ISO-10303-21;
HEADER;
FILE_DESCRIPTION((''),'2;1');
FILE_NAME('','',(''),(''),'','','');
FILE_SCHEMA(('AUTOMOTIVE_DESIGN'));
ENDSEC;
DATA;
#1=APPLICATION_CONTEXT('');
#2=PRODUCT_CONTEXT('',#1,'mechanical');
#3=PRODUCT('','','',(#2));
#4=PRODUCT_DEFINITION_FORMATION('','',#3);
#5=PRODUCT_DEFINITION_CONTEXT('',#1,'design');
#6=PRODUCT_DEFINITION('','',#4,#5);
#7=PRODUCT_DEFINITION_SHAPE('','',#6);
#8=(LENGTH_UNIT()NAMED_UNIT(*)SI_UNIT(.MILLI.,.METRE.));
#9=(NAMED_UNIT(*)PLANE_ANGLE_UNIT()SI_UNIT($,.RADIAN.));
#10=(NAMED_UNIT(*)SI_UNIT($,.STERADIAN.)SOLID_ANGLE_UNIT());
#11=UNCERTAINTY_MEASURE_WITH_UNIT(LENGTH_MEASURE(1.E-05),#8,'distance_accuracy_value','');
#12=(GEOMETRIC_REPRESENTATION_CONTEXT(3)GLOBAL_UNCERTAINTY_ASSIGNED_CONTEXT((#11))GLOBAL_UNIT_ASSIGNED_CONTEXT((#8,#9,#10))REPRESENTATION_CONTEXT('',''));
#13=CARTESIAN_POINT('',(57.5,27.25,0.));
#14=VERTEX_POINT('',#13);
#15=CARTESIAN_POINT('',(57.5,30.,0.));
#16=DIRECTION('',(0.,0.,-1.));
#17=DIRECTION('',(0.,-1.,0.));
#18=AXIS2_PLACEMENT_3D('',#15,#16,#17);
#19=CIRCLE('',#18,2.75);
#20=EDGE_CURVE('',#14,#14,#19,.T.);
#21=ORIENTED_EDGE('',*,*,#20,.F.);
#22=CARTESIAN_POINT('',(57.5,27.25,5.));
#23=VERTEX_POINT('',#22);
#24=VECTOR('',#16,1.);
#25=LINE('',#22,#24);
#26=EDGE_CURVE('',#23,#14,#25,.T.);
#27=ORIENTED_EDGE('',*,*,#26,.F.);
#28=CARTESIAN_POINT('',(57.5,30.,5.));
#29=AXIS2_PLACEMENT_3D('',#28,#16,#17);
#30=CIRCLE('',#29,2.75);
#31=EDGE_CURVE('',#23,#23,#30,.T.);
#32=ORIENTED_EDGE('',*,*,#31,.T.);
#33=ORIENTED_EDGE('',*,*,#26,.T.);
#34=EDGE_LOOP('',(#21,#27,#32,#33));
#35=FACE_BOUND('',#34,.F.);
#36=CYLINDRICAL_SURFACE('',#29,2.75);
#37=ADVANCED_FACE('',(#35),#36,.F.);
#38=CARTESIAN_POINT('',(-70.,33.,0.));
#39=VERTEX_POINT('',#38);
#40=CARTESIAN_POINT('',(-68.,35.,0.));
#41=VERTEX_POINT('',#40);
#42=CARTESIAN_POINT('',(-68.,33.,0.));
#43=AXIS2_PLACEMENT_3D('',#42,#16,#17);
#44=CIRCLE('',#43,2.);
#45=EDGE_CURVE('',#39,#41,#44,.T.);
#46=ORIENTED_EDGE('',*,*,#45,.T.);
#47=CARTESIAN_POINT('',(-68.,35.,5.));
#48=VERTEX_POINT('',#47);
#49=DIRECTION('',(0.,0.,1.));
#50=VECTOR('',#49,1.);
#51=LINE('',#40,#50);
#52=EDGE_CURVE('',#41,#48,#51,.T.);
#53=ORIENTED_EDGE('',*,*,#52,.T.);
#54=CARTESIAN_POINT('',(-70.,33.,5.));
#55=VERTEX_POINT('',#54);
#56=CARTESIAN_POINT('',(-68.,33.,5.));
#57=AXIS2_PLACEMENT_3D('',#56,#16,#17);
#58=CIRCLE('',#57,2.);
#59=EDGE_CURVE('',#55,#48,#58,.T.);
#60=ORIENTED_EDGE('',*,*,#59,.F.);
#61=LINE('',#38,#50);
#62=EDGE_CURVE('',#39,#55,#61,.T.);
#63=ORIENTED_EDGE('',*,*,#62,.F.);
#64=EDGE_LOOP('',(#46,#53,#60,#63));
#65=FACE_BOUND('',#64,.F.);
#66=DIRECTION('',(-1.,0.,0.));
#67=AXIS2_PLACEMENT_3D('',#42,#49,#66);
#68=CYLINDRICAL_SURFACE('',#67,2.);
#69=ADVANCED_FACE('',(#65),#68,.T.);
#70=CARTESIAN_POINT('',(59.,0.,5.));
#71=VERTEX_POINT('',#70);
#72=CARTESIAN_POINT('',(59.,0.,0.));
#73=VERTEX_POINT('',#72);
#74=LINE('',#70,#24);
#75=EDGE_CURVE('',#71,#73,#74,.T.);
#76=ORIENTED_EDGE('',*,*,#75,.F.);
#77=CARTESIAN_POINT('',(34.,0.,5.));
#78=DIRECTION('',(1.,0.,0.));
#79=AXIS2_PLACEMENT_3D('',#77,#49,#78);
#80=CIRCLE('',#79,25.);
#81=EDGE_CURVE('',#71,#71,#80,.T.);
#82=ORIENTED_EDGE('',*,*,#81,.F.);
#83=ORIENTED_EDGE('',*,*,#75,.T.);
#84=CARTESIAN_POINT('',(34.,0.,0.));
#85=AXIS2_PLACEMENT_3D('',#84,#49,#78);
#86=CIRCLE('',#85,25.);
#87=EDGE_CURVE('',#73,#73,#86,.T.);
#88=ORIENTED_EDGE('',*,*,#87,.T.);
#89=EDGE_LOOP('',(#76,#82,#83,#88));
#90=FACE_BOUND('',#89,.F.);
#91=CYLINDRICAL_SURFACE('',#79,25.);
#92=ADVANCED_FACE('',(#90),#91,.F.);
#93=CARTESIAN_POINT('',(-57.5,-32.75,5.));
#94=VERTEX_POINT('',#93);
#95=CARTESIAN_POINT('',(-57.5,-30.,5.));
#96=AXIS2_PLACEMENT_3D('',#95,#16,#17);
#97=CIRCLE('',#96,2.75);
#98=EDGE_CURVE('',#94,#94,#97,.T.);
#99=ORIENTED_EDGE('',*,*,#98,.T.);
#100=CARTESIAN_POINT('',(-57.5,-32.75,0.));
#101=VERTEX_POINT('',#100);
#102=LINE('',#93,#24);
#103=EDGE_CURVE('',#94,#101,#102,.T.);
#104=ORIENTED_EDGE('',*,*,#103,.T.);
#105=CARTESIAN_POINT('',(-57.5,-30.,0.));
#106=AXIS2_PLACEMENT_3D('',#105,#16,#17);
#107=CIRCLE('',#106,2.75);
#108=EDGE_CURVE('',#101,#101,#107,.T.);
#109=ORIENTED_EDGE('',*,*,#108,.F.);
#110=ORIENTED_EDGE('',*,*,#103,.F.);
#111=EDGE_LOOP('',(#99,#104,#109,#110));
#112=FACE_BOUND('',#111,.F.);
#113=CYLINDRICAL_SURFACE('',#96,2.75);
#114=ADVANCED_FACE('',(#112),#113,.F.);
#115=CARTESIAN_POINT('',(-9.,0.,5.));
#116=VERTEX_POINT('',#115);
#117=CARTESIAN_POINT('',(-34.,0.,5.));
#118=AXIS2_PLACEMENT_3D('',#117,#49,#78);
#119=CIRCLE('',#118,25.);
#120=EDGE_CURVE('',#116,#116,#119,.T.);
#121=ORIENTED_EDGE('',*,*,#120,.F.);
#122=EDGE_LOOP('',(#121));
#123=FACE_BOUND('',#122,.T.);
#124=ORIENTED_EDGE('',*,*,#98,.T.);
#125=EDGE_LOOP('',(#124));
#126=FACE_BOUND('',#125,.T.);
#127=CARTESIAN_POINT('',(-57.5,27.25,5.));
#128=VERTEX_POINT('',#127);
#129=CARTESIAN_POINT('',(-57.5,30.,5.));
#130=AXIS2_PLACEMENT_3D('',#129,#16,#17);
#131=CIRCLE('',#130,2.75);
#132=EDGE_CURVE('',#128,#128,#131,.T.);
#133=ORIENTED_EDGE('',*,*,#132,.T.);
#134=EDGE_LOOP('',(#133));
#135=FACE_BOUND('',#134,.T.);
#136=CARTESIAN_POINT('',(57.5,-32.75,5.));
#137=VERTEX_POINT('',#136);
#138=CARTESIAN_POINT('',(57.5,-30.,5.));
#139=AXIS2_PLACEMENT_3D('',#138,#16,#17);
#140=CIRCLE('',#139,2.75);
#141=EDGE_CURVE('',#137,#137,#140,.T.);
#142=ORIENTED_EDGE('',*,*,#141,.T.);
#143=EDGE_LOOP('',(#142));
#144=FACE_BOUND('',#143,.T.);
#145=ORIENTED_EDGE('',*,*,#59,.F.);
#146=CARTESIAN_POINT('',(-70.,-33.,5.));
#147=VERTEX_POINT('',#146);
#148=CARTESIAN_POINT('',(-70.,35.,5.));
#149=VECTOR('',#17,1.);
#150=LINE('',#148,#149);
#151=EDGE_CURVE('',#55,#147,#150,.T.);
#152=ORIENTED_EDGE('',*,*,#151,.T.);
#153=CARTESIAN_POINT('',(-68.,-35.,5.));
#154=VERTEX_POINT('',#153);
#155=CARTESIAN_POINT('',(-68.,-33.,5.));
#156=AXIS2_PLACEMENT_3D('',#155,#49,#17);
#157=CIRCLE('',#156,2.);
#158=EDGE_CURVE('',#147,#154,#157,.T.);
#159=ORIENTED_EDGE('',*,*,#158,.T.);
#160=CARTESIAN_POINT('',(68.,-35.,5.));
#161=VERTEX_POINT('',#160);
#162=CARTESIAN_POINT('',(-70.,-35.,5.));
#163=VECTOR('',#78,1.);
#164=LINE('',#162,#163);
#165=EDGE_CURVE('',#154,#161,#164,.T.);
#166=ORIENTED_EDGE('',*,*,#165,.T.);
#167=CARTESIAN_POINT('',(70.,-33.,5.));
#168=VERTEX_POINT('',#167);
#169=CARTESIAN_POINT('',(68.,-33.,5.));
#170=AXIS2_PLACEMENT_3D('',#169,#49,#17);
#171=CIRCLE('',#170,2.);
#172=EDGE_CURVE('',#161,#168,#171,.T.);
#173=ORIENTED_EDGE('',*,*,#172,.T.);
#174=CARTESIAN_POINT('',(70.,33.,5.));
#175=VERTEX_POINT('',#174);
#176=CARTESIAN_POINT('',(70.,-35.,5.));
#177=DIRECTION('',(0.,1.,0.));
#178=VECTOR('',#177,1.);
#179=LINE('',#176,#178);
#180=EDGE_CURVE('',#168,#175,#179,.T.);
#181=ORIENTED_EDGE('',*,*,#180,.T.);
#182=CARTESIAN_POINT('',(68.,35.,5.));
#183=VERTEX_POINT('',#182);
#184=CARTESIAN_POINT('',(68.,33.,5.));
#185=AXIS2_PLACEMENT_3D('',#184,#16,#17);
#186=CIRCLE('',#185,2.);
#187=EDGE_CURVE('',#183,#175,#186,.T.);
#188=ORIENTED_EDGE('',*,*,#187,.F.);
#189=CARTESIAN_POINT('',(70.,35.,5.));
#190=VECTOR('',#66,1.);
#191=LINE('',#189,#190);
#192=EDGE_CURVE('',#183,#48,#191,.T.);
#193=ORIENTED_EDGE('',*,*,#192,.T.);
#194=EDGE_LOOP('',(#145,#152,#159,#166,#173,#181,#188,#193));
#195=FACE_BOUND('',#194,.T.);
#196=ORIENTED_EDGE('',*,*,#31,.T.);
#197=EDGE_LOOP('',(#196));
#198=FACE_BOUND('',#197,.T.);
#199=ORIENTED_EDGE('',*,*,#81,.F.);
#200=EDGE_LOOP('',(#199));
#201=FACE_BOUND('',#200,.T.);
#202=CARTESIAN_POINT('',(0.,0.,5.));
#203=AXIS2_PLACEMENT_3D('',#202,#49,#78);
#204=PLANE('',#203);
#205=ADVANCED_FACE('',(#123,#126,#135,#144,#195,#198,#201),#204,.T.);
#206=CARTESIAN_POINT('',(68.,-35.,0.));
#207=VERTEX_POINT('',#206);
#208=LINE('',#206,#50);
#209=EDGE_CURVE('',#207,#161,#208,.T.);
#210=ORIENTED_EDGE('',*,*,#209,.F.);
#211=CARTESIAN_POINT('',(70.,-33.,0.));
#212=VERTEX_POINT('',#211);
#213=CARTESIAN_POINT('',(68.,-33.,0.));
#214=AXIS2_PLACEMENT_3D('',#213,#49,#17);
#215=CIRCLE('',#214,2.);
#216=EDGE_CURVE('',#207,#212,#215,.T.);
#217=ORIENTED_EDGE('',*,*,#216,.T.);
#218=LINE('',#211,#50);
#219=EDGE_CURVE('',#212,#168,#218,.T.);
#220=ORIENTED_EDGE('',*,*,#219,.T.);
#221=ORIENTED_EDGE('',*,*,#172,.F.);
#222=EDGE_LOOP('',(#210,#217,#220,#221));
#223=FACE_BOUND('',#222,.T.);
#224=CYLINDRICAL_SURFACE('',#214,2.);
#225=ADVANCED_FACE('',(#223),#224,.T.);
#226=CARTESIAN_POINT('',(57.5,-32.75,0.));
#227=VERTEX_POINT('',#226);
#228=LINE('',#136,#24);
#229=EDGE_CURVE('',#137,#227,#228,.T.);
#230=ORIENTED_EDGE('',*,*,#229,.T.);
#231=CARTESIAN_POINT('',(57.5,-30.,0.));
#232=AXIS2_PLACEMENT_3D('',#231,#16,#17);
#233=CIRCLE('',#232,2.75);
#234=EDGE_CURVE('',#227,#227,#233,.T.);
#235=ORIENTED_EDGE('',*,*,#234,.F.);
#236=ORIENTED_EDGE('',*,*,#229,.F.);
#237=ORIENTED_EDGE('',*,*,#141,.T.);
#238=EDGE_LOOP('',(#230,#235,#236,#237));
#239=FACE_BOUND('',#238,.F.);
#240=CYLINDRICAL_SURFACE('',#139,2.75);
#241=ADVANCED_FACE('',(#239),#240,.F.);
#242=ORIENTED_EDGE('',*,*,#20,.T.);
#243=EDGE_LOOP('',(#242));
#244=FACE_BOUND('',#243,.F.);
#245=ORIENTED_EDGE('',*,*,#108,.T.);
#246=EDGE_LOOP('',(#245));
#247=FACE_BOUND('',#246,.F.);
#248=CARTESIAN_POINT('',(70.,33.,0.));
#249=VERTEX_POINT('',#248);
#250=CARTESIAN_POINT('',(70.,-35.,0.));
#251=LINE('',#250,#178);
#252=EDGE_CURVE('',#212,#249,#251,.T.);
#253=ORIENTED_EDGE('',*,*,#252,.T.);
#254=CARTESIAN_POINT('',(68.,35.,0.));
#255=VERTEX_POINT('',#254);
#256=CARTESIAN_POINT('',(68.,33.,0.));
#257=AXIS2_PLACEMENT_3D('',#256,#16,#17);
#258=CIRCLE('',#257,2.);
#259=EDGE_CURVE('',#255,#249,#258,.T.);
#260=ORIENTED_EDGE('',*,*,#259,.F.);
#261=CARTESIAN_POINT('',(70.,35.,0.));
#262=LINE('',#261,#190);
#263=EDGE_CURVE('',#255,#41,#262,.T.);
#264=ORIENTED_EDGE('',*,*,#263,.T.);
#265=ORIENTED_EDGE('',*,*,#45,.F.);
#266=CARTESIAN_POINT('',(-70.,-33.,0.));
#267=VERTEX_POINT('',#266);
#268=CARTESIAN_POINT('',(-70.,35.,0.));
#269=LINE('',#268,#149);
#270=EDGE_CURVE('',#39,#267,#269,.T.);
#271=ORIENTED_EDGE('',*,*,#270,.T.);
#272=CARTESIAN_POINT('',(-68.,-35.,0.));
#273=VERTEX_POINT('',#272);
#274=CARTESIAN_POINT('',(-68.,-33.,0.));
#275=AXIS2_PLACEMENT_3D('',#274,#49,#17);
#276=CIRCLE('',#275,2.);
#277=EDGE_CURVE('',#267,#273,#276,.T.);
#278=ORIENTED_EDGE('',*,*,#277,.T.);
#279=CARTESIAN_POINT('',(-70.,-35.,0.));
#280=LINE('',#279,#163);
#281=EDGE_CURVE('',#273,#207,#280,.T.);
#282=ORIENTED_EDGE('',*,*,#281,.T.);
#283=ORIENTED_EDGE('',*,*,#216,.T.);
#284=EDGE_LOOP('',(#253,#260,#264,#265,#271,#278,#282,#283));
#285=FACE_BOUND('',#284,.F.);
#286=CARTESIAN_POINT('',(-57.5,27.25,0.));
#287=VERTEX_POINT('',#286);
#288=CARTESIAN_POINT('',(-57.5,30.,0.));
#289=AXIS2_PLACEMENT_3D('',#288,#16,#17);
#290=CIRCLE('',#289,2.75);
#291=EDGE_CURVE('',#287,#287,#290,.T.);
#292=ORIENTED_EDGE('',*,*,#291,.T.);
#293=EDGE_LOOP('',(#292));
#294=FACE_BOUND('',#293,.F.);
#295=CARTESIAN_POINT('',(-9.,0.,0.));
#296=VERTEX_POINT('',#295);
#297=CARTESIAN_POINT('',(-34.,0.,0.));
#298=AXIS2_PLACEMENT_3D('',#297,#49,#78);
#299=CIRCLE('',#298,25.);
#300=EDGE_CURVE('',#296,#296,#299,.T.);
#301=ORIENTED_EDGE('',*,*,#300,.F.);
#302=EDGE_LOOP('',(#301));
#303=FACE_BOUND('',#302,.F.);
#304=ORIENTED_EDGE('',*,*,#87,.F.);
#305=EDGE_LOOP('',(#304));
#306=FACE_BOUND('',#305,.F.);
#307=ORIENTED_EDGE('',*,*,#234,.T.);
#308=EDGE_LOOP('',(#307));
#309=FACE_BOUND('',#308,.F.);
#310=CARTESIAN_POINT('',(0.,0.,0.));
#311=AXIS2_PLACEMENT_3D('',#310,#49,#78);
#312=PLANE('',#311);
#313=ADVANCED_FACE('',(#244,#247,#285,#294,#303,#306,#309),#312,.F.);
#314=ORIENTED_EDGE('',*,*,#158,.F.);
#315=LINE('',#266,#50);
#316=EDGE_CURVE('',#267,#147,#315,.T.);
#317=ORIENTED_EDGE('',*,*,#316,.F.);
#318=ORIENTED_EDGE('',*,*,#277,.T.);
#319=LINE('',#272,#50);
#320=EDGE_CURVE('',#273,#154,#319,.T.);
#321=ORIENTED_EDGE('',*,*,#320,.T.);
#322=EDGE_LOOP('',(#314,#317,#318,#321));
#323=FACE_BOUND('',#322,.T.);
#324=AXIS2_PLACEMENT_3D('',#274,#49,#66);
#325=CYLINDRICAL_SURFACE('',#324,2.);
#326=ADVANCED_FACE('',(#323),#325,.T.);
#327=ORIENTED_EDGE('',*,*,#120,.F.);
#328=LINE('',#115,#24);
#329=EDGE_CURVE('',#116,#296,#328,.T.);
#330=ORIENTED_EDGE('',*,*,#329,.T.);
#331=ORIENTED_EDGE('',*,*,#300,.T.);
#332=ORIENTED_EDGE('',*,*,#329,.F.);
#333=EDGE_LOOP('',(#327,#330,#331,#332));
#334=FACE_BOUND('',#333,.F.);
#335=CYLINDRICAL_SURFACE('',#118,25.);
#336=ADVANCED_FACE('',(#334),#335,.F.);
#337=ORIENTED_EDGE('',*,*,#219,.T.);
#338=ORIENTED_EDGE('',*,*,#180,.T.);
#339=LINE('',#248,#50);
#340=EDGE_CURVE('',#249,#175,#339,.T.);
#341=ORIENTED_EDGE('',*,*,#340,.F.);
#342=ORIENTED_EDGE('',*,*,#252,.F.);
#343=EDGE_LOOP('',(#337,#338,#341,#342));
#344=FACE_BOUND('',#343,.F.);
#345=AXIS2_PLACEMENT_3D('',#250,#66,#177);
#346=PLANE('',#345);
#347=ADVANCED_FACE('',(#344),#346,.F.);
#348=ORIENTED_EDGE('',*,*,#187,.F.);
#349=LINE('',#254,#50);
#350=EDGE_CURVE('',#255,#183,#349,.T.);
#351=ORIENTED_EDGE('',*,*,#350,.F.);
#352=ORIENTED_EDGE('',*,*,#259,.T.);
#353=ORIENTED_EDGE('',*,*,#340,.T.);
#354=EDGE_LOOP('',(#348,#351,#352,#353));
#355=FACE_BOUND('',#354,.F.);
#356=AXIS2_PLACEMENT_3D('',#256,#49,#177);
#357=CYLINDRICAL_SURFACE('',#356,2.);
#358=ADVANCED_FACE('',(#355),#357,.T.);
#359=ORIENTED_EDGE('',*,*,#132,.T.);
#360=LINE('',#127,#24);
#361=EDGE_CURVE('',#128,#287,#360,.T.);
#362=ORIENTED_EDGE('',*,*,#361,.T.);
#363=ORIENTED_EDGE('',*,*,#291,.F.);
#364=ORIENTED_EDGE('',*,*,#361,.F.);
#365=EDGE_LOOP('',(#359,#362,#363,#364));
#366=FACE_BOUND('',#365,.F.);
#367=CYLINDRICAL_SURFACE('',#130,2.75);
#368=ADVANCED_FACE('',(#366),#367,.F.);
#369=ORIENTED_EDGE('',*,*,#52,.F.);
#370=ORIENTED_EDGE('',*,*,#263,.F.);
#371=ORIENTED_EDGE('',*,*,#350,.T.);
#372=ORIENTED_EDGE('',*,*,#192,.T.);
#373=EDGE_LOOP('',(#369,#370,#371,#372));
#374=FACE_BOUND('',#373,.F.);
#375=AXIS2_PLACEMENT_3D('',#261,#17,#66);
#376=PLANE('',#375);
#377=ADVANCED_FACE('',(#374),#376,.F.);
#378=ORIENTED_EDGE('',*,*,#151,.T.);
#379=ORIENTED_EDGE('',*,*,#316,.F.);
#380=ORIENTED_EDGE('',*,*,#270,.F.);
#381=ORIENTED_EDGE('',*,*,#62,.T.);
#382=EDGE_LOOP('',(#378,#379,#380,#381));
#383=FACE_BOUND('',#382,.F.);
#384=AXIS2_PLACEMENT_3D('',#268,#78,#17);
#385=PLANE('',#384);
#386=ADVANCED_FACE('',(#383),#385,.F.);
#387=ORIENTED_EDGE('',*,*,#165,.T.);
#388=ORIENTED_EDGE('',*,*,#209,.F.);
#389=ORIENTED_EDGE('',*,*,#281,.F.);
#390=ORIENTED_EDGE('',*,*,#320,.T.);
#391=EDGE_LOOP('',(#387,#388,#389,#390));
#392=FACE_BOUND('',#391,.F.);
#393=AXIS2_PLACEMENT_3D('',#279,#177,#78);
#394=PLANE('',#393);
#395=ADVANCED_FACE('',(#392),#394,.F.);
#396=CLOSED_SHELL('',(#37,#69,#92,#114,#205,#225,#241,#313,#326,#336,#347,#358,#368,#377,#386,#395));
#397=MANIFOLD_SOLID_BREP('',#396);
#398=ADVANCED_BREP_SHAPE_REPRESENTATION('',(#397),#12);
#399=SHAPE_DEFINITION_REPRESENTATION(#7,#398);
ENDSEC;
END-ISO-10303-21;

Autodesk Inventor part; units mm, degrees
ref_plane "YZ Plane" through (0, 0, 0) normal (1, 0, 0) x (0, 1, 0)
ref_plane "XZ Plane" through (0, 0, 0) normal (0, 1, 0) x (-1, 0, 0)
ref_plane "XY Plane" through (0, 0, 0) normal (0, 0, 1) x (1, 0, 0)
sketch "Sketch1" plane through (0, 0, 0) normal (0, 0, 1) x (1, 0, 0)
  line L0 (-70, -35) -> (70, -35)
  line L1 (70, -35) -> (70, 35)
  line L2 (70, 35) -> (-70, 35)
  line L3 (-70, 35) -> (-70, -35)
  line L4 (-70, -35) -> (70, 35) construction
  line L5 (70, -35) -> (-70, 35) construction
  point P0 (0, 0)
  dimension "d0" = 140
  dimension "d1" = 70
extrude "Extrusion1" add sketch "Sketch1" along normal blind 5
sketch "Sketch2" plane through (0, 0, 5) normal (0, 0, 1) x (1, 0, 0)
  line L0 (-57.5, -30) -> (57.5, -30) construction
  line L1 (57.5, -30) -> (57.5, 30) construction
  line L2 (57.5, 30) -> (-57.5, 30) construction
  line L3 (-57.5, 30) -> (-57.5, -30) construction
  line L4 (-57.5, -30) -> (57.5, 30) construction
  line L5 (57.5, -30) -> (-57.5, 30) construction
  point P0 (0, 0)
  dimension "d4" = 115
  dimension "d5" = 60
hole "Hole1" at (-57.5, -30, 5) at (-57.5, 30, 5) at (57.5, 30, 5) at (57.5, -30, 5) direction (0, 0, -1) diameter 5.5 depth 8 tip angle 118 clearance for "Countersunk Flat Head Screw DIN EN ISO 2009" size "M5" standard "DIN"
fillet "Fillet1" radius 2 4 edges at (70, 35, 2.5) (70, -35, 2.5) (-70, 35, 2.5) (-70, -35, 2.5)
sketch "Sketch3" plane through (0, 0, 5) normal (0, 0, 1) x (1, 0, 0)
  circle A0 centre (-34, 0) radius 25
  circle A1 centre (34, 0) radius 25
  line L0 (-34, 0) -> (34, 0) construction
  point P0 (0, 0)
  point P1 (0, 0)
  dimension "d14" = 50
  dimension "d15" = 50
  dimension "d16" = 68
extrude "Extrusion2" cut sketch "Sketch3" against normal blind 5
properties part number "EndStück_Caps" material "Polycarbonate, Clear"
